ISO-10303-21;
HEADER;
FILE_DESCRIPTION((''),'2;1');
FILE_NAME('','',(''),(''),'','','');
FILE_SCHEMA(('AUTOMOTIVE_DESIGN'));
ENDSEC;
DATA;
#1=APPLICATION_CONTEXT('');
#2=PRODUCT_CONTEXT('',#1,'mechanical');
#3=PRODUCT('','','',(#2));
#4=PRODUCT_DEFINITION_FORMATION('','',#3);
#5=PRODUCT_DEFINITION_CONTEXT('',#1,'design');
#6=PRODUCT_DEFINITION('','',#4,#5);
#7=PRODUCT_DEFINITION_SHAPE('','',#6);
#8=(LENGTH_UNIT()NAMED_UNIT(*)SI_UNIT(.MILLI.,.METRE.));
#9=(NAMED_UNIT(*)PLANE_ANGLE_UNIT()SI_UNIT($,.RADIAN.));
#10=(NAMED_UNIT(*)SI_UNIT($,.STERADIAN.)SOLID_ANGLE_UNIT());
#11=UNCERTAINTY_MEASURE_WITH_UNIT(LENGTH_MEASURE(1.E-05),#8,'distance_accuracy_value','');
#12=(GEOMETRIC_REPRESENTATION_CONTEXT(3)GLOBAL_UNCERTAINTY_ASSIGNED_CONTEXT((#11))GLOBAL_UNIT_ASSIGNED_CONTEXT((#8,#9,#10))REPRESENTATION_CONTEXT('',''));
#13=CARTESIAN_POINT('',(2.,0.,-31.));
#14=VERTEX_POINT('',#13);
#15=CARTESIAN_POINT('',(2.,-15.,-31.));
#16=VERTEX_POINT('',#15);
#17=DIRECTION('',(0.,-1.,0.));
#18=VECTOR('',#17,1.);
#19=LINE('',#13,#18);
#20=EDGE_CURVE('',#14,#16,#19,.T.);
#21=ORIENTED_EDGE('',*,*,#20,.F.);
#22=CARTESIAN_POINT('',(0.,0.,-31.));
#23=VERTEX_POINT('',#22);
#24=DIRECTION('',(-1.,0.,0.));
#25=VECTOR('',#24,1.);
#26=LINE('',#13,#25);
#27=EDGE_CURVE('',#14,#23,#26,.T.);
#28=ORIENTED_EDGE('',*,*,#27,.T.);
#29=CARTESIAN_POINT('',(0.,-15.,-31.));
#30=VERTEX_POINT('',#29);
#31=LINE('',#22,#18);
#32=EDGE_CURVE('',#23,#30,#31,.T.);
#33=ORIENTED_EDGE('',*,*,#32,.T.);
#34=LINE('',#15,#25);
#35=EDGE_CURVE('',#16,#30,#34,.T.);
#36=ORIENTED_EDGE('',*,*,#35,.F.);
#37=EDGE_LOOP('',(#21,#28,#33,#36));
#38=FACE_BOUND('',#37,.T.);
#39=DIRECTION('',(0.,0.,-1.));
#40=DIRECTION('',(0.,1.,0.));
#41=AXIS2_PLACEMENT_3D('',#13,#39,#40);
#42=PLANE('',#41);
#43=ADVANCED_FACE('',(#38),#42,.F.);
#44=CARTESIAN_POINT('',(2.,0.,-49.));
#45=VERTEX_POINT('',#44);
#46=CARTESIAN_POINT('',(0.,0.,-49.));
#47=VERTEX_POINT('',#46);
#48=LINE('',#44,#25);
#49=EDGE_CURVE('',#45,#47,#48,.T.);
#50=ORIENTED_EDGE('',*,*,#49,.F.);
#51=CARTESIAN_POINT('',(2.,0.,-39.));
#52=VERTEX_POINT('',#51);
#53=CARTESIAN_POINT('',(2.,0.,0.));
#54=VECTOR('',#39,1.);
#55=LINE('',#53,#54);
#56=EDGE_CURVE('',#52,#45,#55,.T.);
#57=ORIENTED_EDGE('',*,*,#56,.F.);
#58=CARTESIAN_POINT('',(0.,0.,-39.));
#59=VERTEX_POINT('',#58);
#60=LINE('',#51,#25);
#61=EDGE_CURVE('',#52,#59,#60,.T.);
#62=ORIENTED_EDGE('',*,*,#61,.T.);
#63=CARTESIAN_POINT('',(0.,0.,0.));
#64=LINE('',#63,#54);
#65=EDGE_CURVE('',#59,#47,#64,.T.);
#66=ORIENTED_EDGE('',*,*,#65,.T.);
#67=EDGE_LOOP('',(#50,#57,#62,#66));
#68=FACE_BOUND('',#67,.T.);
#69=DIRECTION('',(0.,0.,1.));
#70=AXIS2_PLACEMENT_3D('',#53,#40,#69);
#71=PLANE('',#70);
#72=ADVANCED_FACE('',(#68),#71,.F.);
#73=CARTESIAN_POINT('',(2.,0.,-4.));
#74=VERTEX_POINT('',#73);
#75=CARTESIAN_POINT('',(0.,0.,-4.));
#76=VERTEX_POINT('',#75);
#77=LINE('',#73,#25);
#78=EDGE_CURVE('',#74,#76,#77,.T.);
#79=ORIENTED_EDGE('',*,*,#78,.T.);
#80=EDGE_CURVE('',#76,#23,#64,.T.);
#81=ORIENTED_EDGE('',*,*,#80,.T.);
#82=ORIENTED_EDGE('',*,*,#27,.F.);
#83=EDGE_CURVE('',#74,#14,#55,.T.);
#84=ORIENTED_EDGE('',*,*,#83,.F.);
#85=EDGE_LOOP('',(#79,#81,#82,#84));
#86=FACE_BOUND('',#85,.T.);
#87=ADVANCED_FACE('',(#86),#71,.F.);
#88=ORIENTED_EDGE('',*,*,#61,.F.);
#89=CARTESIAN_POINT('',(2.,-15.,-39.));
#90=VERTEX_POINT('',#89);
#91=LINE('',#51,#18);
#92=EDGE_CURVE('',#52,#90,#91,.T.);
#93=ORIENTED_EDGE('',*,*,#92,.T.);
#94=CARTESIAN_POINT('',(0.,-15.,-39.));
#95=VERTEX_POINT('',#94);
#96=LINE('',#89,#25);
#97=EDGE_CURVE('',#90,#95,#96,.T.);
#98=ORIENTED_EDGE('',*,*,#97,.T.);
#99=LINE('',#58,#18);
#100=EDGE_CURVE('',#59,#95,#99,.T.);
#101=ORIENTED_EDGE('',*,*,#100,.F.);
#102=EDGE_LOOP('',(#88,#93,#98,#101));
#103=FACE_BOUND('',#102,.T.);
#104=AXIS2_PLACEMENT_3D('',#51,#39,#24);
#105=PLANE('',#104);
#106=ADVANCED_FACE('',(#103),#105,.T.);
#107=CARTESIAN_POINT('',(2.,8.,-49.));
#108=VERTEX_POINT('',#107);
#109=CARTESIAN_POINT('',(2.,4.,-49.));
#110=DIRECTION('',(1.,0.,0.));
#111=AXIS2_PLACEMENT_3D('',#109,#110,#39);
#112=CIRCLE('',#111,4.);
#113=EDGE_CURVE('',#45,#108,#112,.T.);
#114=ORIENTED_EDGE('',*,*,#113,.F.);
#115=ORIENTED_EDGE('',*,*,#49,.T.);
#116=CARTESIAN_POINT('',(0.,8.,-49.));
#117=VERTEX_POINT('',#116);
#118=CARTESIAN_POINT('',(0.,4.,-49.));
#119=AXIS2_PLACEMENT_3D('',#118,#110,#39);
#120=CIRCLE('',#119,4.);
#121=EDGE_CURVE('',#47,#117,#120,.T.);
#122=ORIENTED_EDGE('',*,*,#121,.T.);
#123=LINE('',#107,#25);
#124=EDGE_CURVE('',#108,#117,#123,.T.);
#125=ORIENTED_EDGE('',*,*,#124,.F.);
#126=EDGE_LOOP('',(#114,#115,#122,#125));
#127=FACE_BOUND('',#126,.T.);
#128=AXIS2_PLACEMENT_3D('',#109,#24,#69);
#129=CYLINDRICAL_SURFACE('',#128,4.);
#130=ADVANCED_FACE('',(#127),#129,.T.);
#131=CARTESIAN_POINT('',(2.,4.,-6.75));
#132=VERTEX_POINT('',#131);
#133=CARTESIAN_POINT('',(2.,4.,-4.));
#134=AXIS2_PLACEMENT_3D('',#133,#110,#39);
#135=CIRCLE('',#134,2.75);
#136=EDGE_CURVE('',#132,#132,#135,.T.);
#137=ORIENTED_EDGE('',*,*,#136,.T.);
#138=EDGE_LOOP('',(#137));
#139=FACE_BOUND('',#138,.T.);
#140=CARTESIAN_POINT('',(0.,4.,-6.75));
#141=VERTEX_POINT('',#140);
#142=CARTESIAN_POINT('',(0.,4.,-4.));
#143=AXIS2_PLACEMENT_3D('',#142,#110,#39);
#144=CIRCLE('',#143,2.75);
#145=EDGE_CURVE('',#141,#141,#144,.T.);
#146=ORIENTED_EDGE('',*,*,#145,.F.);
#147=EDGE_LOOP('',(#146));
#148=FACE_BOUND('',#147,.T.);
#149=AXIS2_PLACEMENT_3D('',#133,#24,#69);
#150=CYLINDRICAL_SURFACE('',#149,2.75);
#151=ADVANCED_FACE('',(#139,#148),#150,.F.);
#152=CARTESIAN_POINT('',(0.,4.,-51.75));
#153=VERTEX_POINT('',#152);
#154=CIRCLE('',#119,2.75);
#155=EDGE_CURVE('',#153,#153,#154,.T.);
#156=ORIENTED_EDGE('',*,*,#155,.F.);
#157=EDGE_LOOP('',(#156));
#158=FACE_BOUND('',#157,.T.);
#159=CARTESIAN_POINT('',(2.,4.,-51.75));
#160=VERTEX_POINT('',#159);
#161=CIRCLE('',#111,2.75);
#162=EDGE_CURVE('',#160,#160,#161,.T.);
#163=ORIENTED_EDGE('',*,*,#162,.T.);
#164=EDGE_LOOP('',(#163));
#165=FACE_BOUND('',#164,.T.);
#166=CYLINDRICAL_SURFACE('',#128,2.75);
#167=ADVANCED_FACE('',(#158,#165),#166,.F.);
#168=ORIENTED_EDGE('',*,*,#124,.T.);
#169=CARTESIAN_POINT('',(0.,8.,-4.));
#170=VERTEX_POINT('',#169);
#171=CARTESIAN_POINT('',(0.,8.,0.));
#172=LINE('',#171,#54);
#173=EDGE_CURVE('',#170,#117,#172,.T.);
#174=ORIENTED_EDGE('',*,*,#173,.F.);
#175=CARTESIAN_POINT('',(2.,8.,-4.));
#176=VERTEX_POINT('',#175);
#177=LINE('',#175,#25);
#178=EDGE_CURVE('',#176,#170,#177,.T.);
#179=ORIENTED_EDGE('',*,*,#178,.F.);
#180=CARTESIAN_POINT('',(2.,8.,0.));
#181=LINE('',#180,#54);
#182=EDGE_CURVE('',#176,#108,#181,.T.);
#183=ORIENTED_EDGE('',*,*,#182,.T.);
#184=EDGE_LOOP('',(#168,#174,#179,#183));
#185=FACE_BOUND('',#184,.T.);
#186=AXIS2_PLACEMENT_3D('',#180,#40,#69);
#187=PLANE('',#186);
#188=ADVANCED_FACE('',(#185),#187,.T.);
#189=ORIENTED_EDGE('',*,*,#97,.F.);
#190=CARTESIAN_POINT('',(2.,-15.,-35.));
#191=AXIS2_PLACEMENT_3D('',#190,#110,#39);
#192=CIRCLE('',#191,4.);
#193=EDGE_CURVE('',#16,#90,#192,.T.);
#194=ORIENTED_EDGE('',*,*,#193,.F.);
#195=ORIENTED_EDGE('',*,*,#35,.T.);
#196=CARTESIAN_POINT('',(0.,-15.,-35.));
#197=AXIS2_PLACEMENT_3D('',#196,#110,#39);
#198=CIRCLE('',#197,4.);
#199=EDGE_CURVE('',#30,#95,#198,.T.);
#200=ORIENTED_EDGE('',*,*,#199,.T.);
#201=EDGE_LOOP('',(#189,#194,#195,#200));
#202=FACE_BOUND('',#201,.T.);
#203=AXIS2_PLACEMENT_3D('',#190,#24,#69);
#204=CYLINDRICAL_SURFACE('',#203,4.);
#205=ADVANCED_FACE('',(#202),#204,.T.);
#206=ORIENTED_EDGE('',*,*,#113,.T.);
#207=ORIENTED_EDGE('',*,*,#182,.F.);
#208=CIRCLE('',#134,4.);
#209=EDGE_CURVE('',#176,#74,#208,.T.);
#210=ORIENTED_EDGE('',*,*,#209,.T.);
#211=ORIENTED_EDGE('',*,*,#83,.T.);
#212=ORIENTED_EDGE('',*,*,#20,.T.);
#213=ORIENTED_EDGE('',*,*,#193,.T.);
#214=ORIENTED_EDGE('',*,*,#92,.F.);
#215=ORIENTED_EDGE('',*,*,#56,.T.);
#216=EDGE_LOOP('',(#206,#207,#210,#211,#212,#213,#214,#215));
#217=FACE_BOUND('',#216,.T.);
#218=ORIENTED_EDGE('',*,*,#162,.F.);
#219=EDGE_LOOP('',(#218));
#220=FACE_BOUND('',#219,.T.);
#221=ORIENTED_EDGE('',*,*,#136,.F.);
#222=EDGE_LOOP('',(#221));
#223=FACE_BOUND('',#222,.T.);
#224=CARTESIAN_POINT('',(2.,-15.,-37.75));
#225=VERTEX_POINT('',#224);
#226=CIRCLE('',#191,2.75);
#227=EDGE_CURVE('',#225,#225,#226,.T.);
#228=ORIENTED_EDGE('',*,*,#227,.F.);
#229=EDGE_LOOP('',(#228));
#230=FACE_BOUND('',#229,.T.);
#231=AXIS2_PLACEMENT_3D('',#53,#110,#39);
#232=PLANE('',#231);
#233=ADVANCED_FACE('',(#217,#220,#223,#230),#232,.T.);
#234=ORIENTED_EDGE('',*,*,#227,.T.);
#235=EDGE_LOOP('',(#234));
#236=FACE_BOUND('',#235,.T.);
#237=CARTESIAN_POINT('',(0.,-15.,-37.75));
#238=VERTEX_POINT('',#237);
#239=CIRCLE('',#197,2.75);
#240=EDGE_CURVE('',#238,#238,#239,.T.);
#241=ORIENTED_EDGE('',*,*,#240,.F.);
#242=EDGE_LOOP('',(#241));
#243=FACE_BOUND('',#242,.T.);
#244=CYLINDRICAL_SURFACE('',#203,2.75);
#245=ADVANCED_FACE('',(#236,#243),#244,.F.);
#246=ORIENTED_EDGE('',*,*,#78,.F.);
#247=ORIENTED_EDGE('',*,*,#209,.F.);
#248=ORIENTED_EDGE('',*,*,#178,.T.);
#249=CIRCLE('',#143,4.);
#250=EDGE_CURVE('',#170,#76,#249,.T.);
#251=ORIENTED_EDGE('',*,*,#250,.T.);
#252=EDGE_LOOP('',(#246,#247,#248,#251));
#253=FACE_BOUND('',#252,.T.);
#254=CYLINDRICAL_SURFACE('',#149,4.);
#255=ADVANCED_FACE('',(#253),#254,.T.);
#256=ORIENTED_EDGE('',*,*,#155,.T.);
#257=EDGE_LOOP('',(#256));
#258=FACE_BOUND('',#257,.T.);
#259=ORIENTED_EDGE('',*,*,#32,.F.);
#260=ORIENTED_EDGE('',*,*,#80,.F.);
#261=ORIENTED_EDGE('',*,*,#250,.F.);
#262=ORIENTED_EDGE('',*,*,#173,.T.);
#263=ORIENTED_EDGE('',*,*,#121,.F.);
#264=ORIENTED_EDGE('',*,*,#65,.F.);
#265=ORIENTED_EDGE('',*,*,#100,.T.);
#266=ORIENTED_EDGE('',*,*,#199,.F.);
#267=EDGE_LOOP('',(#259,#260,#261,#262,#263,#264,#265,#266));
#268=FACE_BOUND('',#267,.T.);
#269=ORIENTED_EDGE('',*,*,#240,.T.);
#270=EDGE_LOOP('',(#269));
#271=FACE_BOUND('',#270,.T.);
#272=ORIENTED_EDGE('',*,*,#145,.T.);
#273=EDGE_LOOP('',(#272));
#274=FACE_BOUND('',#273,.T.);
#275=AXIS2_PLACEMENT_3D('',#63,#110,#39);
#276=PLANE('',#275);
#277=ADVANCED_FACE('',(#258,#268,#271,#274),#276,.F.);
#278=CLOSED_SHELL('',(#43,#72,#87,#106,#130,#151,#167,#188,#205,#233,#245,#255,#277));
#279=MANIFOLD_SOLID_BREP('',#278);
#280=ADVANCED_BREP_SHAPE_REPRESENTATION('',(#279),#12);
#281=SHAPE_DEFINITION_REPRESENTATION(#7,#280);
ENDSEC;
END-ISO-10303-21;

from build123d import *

# Parameters (mm, degrees)
SKETCH1_R           = 2.75
BOSS_EXTRUDE1_DEPTH = 2


with BuildPart() as part:
    # Sketch1 → Boss-Extrude1 (new body)
    with BuildSketch(Plane(origin=(0, 0, 0), x_dir=(0, 0, -1), z_dir=(1, 0, 0))):
        with BuildLine():
            Line((4, 0), (31, 0))
            Line((31, 0), (31, -15))
            ThreePointArc((31, -15), (35, -19), (39, -15))
            Line((39, -15), (39, 0))
            Line((39, 0), (49, 0))
            ThreePointArc((49, 0), (53, 4), (49, 8))
            Line((49, 8), (4, 8))
            ThreePointArc((4, 8), (0, 4), (4, 0))
        make_face()
        with Locations((4, 4)):
            Circle(SKETCH1_R, mode=Mode.SUBTRACT)
        with Locations((35, -15)):
            Circle(SKETCH1_R, mode=Mode.SUBTRACT)
        with Locations((49, 4)):
            Circle(SKETCH1_R, mode=Mode.SUBTRACT)
    extrude(amount=BOSS_EXTRUDE1_DEPTH)


solid = part.part
